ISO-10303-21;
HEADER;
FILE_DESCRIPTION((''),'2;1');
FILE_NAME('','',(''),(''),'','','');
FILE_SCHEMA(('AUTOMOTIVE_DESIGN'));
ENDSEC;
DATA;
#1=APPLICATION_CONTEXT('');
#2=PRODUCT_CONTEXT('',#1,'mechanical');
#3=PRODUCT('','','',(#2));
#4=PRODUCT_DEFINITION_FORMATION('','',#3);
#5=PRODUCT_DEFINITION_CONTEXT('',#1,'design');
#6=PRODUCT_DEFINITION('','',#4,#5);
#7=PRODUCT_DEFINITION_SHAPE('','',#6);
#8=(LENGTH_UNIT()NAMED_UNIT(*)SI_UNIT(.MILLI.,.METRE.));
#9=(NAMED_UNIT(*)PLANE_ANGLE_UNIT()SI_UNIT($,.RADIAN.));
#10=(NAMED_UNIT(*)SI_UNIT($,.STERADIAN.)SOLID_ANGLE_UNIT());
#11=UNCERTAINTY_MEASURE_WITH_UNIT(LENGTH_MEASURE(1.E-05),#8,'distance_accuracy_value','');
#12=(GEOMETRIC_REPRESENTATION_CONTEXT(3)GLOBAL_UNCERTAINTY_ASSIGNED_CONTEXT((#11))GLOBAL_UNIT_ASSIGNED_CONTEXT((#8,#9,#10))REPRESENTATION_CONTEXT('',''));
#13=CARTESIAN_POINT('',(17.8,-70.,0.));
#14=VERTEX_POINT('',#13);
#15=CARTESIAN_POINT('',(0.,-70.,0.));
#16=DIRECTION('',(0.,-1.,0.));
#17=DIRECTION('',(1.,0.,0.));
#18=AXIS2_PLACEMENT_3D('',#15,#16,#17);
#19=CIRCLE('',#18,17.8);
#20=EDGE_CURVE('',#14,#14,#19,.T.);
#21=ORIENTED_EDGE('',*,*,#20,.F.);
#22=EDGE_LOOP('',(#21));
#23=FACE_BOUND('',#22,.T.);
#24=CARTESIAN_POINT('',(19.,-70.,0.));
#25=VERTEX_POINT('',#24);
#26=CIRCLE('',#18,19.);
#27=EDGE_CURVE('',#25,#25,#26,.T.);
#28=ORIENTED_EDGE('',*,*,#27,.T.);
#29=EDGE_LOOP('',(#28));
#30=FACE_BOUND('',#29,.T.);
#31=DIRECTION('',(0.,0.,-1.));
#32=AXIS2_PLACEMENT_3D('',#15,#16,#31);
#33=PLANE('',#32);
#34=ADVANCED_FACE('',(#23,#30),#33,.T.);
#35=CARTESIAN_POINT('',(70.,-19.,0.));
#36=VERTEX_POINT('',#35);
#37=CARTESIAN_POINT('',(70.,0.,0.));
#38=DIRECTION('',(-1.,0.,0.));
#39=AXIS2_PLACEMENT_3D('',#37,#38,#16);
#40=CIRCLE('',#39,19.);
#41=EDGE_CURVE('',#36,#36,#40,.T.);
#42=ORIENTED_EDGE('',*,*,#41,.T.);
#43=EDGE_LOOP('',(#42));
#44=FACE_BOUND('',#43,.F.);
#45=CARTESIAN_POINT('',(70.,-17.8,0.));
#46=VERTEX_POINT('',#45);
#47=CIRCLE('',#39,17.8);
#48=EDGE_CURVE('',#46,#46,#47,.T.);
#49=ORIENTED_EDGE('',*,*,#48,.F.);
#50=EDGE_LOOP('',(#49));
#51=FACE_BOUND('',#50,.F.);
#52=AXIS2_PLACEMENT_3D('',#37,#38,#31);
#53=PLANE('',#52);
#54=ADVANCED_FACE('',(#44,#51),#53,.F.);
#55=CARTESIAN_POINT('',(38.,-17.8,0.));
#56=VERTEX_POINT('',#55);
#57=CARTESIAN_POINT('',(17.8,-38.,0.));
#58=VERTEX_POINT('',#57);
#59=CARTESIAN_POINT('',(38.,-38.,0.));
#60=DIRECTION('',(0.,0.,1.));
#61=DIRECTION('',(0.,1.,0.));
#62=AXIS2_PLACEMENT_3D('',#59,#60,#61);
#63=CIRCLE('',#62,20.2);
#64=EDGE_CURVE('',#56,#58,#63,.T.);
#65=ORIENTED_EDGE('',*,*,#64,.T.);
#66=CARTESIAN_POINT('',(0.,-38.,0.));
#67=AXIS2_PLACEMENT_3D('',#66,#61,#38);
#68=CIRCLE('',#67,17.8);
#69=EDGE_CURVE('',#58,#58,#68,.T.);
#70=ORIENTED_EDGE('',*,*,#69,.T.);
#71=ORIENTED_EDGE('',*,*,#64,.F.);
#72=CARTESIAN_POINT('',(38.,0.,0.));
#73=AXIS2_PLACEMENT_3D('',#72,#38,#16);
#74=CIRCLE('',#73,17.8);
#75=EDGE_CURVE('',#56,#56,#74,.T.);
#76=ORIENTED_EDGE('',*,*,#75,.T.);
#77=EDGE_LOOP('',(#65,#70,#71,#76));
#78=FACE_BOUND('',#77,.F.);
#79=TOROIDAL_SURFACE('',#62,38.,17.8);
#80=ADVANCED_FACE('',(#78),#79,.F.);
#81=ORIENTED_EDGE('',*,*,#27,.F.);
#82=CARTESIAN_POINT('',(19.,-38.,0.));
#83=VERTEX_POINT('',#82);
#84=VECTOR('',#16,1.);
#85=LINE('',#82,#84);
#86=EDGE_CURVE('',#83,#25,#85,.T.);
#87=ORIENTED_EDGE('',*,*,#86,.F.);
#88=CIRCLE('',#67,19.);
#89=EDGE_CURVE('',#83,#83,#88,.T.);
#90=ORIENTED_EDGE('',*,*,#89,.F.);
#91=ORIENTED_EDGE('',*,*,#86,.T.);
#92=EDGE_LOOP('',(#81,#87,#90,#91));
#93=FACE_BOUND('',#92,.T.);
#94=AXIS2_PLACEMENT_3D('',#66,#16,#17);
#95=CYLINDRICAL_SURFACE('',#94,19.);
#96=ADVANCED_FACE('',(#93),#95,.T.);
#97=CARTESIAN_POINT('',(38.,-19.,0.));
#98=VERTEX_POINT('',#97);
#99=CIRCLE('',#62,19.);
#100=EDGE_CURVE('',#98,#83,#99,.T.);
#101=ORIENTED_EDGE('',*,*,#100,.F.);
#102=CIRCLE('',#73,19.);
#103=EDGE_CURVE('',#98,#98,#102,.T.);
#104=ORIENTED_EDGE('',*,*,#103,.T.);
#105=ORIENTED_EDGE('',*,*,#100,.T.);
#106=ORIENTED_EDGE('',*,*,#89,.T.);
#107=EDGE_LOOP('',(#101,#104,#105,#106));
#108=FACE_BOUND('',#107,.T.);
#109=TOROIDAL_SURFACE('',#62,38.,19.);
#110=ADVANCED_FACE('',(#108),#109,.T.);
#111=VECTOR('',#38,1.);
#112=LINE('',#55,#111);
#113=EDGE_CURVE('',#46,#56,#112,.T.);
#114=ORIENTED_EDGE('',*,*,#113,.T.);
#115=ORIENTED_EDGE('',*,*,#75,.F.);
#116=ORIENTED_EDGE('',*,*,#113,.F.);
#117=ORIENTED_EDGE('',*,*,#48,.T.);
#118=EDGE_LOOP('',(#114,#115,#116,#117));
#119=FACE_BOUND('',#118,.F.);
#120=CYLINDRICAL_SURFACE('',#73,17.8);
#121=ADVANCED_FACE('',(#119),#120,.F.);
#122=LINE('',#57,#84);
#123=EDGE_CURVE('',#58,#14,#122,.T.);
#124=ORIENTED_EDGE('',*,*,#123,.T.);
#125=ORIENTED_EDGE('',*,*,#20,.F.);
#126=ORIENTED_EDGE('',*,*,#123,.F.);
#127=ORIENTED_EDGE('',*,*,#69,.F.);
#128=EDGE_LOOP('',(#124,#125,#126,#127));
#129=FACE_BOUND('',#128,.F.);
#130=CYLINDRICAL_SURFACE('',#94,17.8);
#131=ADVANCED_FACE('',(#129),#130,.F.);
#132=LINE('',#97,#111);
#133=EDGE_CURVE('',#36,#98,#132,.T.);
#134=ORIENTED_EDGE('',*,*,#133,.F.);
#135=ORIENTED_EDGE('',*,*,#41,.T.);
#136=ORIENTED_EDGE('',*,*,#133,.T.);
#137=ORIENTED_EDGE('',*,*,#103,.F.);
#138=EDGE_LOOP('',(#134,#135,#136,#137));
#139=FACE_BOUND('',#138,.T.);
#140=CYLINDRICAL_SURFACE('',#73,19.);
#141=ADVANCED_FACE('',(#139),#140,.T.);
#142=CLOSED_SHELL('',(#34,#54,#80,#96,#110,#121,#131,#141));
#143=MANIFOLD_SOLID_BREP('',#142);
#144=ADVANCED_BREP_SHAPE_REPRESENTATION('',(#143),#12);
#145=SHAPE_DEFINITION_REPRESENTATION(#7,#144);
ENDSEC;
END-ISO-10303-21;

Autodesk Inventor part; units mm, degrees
ref_plane "YZ Plane" through (0, 0, 0) normal (1, 0, 0) x (0, 1, 0)
ref_plane "XZ Plane" through (0, 0, 0) normal (0, 1, 0) x (-1, 0, 0)
sketch "Szkic6" plane through (0, 0, 0) normal (0, 0, 1) x (1, 0, 0)
  line L0 (-29.6067, 0) -> (35.2678, 0) construction
  line L1 (0, 42.3419) -> (0, -58.3726) construction
  arc A0 (38, 0) -> (0, -38) centre (38, -38) ccw
  line L2 (0, -38) -> (38, -38) construction
  line L3 (38, -38) -> (38, 27.5331) construction
  line L4 (38, 0) -> (70, 0)
  line L5 (0, -38) -> (0, -70)
  point P0 (0, 0)
  dimension "d24" = 38
  dimension "d31" = 90
  dimension "d36" = 32
  dimension "d37" = 32
ref_plane "Płaszczyzna konstrukcyjna2" through (0, -38, 0) normal (0, -1, 0) x (1, 0, 0)
sketch "Szkic8" plane through (0, -38, 0) normal (0, -1, 0) x (1, 0, 0)
  circle A0 centre (0, 0) radius 19
  circle A1 centre (0, 0) radius 17.8
  dimension "d32" = 38
  dimension "d33" = 1.2
sweep "Przeciągnięcie2" add profiles "Szkic8" path "Szkic6"
equation "\"d32\" = OD"
equation "\"d33\" = THK"
equation "\"d24\" = R"
equation "\"d31\" = KAT"
equation "\"d36\" = PROSTKA"
equation "\"d37\" = PROSTKA"
equation "\"SzerokośćGięciaPodcięcia\" = Grubość"
equation "\"RozmiarPodcięciaNarożnika\" = 4 * Grubość"
equation "\"PromieńPrzejścia\" = PromieńGięcia"
equation "\"Rozmiar_promienia_Jacobiego\" = PromieńGięcia"
equation "\"Wielk_odstępu\" = Grubość"
equation "\"d2\" = PromieńGięcia"
equation "\"d23\" = PromieńGięcia"
equation "\"R\" = 38"
equation "\"OD\" = 38"
equation "\"THK\" = 1.2"
equation "\"KAT\" = 90deg"
equation "\"PROSTKA\" = 32"
equation "\"Grubość\" = 1.5"
equation "\"PromieńGięcia\" = 3"
properties part number "Kolano 90° ø38x1,2 R38" material "304L"
